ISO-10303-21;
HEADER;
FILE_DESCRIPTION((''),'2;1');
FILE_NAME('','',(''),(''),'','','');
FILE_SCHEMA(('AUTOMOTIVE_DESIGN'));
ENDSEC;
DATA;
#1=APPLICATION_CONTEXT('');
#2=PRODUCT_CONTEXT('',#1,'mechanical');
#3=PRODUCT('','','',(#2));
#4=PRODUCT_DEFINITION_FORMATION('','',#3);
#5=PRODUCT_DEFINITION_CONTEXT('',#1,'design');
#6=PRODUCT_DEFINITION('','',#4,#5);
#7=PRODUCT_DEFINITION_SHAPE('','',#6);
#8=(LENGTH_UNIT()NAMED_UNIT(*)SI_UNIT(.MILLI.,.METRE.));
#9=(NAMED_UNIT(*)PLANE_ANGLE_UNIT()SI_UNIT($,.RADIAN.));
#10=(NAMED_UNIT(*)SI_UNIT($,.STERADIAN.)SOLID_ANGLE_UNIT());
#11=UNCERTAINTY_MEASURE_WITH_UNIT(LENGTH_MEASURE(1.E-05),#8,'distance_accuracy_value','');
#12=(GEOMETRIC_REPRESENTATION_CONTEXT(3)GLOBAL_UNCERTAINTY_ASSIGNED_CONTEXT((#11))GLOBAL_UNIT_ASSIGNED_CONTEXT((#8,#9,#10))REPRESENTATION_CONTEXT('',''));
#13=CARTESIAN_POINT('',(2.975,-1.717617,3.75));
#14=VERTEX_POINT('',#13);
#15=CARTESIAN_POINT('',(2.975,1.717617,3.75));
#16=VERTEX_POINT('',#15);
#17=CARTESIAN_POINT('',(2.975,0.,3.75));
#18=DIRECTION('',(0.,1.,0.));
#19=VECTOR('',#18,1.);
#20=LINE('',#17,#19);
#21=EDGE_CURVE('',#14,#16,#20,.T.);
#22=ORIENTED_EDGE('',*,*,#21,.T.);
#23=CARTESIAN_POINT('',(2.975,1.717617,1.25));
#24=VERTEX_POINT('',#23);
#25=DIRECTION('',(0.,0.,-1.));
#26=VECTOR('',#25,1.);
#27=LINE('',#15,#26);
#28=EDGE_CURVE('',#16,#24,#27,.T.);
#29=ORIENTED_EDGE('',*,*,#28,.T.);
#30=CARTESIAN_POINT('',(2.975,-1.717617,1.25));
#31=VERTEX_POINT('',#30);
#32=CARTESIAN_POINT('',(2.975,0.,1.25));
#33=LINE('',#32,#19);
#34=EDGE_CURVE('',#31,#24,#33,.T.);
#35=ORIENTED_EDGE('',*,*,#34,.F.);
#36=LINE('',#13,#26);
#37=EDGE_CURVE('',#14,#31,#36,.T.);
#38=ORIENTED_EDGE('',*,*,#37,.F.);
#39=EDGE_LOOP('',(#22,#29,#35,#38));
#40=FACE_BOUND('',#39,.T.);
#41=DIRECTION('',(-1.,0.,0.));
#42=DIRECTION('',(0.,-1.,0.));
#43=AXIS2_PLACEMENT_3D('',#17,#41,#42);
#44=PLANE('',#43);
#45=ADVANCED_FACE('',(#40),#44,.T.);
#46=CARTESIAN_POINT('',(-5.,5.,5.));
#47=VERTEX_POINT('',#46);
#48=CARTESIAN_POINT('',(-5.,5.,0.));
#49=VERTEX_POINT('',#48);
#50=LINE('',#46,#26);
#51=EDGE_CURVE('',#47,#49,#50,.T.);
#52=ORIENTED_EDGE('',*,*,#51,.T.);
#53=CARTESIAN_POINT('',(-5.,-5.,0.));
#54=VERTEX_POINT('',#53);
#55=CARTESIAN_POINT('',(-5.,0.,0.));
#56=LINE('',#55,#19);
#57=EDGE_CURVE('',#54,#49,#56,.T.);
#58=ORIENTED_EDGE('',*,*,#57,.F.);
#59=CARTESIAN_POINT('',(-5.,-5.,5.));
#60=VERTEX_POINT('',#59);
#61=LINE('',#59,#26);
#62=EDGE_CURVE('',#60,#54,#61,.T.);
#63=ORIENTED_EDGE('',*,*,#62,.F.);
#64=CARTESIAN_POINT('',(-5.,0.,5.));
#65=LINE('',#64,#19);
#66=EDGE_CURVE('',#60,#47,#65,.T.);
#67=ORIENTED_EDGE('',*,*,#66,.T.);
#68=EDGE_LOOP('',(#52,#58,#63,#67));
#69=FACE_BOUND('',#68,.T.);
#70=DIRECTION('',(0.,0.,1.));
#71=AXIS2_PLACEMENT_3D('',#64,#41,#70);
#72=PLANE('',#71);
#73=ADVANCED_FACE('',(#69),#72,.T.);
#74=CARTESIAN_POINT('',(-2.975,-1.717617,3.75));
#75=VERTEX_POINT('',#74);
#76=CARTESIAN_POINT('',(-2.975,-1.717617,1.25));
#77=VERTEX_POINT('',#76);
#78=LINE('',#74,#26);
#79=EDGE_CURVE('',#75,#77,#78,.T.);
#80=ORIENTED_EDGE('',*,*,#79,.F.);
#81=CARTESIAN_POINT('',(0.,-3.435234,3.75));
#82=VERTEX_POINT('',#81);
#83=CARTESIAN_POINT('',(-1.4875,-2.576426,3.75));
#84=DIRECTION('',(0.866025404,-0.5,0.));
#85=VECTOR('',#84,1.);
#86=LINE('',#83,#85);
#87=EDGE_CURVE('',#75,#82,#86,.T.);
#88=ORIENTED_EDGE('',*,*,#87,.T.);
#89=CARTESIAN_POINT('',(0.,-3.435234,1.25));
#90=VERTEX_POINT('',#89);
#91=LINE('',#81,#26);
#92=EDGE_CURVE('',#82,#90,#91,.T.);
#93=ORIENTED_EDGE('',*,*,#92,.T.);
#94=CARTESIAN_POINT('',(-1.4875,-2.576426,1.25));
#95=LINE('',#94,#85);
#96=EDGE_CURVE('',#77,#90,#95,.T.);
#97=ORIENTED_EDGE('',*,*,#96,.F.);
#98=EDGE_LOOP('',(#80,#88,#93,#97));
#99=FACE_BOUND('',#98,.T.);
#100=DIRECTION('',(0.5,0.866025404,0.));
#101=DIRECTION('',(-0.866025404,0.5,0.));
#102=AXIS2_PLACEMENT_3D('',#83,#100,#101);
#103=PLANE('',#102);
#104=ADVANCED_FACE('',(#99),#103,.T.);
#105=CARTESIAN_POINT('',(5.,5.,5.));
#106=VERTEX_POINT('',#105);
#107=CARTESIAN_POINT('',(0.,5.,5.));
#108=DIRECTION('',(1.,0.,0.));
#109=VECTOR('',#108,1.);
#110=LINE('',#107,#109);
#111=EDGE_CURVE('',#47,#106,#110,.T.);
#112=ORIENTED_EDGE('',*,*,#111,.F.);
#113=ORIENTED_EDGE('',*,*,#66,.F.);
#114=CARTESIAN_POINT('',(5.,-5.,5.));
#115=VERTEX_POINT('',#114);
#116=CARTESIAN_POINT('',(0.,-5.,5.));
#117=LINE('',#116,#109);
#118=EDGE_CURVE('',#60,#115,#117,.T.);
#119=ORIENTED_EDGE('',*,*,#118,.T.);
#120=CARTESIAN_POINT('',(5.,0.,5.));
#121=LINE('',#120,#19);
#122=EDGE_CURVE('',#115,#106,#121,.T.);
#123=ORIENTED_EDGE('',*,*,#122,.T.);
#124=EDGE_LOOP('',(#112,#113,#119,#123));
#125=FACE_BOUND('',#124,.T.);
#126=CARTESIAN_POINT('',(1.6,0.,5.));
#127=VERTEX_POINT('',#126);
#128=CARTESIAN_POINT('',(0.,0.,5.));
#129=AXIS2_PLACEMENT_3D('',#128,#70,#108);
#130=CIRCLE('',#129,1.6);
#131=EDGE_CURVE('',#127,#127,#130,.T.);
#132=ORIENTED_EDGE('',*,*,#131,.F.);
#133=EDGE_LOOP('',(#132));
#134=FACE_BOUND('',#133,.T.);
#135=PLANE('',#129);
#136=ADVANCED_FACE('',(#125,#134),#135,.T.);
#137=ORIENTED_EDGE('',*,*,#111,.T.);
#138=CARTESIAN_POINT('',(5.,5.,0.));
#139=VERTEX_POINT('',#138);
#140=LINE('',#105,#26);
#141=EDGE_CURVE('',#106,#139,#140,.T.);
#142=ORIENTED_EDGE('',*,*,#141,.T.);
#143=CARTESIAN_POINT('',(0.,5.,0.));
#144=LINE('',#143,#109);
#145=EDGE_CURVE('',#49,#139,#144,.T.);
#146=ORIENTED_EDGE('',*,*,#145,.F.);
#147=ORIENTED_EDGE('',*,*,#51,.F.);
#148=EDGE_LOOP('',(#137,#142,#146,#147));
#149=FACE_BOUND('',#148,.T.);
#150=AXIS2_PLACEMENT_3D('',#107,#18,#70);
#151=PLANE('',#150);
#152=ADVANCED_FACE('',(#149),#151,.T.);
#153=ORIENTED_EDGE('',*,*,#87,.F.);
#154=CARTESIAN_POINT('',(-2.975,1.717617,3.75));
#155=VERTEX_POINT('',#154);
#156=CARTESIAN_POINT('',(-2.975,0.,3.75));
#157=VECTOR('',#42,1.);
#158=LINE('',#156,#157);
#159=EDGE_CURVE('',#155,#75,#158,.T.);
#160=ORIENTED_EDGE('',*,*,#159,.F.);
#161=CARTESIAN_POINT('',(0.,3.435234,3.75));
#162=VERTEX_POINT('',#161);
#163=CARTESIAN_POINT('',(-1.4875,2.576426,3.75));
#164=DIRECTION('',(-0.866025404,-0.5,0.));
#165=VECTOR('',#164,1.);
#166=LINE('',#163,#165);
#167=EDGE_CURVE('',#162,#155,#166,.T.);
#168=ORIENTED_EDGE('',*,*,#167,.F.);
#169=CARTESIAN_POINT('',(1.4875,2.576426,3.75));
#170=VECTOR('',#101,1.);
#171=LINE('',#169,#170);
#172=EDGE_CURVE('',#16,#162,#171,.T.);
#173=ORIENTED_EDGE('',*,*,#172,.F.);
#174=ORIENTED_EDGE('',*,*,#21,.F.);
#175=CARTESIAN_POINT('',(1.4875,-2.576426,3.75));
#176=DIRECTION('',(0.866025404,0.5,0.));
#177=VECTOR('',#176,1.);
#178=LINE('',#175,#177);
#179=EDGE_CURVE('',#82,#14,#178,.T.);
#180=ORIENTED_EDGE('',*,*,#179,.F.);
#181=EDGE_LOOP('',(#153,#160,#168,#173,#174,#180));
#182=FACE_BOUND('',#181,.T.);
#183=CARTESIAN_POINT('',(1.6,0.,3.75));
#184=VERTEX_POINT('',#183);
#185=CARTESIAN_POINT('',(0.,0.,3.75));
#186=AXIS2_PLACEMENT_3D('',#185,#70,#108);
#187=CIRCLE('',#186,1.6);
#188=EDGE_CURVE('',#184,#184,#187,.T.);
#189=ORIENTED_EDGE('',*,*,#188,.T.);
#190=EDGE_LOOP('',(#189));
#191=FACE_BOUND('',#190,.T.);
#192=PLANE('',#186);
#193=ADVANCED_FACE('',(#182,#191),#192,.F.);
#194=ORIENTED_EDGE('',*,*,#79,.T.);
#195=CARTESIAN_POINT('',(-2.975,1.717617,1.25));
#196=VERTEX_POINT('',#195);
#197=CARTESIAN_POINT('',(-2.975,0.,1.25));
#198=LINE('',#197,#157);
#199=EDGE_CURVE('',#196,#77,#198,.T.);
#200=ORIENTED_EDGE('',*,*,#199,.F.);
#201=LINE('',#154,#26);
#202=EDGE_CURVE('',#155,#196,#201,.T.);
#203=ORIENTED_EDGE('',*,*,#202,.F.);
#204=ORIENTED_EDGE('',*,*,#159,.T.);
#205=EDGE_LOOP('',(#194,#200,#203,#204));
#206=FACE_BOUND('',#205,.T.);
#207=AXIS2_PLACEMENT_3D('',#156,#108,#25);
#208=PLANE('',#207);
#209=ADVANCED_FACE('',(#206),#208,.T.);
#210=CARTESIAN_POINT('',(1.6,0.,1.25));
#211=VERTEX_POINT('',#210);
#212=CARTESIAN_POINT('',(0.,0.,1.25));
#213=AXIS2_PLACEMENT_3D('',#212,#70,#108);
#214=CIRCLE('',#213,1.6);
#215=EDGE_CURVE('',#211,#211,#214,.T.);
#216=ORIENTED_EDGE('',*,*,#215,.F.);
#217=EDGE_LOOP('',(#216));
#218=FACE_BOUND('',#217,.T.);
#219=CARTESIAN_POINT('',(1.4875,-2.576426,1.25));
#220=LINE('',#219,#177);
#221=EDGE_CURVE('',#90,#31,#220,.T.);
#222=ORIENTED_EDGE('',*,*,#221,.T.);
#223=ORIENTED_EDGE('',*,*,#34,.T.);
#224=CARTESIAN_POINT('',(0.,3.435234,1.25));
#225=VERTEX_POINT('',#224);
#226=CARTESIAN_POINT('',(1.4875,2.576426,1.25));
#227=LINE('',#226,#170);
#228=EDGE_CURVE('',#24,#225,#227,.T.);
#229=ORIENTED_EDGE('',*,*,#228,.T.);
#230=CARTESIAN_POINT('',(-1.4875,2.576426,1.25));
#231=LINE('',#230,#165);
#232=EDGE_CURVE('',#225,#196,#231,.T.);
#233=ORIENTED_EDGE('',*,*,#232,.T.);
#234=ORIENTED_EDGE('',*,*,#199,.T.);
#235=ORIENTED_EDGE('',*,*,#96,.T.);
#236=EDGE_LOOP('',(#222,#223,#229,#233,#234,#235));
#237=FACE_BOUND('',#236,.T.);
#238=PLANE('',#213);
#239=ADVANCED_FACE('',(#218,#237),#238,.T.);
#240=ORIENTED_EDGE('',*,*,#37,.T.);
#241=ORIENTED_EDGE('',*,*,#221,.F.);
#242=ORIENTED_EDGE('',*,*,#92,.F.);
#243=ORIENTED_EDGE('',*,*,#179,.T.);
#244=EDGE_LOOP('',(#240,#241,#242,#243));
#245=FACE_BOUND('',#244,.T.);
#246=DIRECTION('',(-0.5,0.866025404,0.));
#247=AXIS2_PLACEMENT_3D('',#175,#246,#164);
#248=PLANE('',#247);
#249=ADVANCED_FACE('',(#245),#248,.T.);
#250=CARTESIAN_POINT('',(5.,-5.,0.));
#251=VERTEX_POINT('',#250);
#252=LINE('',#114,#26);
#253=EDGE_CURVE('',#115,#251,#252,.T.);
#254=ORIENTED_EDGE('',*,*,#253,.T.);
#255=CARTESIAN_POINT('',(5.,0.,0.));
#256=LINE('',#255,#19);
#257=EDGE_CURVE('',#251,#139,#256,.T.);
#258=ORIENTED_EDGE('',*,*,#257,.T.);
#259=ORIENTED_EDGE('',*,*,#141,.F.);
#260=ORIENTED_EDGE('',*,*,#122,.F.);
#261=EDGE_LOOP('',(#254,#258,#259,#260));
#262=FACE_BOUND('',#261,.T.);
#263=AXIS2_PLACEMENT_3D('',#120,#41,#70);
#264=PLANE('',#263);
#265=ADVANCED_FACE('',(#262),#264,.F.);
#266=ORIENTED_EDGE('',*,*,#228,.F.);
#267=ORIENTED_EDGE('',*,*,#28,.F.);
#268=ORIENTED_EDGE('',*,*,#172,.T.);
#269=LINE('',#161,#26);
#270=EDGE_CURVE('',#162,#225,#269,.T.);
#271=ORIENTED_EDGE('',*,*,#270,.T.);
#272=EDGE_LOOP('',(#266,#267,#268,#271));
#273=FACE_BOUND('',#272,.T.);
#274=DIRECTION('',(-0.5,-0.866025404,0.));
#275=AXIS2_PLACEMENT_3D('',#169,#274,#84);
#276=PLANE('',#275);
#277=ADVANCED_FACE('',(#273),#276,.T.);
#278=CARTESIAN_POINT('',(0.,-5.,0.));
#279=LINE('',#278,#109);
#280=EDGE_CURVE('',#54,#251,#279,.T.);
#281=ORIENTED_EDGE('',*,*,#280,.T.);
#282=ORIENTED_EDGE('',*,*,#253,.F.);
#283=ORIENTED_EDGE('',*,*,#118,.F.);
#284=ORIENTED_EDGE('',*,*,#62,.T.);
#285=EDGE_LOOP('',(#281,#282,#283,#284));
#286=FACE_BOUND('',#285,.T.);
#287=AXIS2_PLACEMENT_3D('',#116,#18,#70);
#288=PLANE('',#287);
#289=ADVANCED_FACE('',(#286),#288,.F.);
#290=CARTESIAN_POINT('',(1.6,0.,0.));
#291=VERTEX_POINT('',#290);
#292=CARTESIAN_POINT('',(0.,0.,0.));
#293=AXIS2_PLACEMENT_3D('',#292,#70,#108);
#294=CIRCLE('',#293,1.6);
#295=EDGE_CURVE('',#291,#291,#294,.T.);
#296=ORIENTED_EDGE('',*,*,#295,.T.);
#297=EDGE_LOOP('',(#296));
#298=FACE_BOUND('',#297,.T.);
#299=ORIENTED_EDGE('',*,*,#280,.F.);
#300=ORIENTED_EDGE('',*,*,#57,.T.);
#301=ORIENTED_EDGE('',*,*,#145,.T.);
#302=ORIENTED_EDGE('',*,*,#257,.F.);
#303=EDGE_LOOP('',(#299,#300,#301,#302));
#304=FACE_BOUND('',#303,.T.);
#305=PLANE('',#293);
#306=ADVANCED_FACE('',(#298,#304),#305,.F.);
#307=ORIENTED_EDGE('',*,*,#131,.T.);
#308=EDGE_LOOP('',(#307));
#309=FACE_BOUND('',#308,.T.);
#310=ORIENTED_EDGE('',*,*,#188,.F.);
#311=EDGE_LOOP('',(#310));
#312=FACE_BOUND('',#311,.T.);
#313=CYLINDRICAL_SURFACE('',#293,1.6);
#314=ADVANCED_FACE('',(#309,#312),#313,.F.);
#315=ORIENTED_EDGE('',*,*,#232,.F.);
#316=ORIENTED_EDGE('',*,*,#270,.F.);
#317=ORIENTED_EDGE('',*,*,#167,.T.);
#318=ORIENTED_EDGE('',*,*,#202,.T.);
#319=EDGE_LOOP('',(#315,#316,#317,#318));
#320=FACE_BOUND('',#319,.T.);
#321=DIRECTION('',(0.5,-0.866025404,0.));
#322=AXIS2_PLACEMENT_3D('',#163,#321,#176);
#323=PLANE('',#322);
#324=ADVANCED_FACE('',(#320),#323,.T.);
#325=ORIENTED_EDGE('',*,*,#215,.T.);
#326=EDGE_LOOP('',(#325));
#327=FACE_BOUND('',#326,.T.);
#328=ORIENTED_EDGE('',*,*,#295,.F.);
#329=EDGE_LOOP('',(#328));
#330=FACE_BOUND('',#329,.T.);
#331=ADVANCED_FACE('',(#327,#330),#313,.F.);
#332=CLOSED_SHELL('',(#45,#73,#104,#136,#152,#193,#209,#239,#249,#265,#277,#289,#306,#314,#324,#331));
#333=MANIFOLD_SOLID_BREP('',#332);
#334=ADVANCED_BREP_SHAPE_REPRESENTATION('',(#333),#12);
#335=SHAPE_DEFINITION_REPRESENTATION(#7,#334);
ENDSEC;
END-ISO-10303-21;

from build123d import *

# Parameters (mm, degrees)
SKETCH1_W           = 10
SKETCH1_H           = 10
BOSS_EXTRUDE1_DEPTH = 5
CUT_EXTRUDE1_START  = 1.25
CUT_EXTRUDE1_DEPTH  = 2.5
SKETCH2_R           = 1.6
CUT_EXTRUDE2_DEPTH  = 9.660254038


with BuildPart() as part:
    # Sketch1 → Boss-Extrude1 (new body)
    with BuildSketch(Plane.XY):
        Rectangle(SKETCH1_W, SKETCH1_H)
    extrude(amount=BOSS_EXTRUDE1_DEPTH)

    # Sketch1<3> → Cut-Extrude1 (cut)
    with BuildSketch(Plane.XY.offset(CUT_EXTRUDE1_START)):
        Polygon((2.975, 1.717617051), (0, 3.435234102), (-2.975, 1.717617051), (-2.975, -1.717617051), (0, -3.435234102), (2.975, -1.717617051), align=None)
    extrude(amount=CUT_EXTRUDE1_DEPTH, mode=Mode.SUBTRACT)

    # Sketch2 → Cut-Extrude2 (cut, through all)
    with BuildSketch(Plane.XY.offset(5)):
        Circle(SKETCH2_R)
    extrude(amount=-CUT_EXTRUDE2_DEPTH, mode=Mode.SUBTRACT)


solid = part.part
